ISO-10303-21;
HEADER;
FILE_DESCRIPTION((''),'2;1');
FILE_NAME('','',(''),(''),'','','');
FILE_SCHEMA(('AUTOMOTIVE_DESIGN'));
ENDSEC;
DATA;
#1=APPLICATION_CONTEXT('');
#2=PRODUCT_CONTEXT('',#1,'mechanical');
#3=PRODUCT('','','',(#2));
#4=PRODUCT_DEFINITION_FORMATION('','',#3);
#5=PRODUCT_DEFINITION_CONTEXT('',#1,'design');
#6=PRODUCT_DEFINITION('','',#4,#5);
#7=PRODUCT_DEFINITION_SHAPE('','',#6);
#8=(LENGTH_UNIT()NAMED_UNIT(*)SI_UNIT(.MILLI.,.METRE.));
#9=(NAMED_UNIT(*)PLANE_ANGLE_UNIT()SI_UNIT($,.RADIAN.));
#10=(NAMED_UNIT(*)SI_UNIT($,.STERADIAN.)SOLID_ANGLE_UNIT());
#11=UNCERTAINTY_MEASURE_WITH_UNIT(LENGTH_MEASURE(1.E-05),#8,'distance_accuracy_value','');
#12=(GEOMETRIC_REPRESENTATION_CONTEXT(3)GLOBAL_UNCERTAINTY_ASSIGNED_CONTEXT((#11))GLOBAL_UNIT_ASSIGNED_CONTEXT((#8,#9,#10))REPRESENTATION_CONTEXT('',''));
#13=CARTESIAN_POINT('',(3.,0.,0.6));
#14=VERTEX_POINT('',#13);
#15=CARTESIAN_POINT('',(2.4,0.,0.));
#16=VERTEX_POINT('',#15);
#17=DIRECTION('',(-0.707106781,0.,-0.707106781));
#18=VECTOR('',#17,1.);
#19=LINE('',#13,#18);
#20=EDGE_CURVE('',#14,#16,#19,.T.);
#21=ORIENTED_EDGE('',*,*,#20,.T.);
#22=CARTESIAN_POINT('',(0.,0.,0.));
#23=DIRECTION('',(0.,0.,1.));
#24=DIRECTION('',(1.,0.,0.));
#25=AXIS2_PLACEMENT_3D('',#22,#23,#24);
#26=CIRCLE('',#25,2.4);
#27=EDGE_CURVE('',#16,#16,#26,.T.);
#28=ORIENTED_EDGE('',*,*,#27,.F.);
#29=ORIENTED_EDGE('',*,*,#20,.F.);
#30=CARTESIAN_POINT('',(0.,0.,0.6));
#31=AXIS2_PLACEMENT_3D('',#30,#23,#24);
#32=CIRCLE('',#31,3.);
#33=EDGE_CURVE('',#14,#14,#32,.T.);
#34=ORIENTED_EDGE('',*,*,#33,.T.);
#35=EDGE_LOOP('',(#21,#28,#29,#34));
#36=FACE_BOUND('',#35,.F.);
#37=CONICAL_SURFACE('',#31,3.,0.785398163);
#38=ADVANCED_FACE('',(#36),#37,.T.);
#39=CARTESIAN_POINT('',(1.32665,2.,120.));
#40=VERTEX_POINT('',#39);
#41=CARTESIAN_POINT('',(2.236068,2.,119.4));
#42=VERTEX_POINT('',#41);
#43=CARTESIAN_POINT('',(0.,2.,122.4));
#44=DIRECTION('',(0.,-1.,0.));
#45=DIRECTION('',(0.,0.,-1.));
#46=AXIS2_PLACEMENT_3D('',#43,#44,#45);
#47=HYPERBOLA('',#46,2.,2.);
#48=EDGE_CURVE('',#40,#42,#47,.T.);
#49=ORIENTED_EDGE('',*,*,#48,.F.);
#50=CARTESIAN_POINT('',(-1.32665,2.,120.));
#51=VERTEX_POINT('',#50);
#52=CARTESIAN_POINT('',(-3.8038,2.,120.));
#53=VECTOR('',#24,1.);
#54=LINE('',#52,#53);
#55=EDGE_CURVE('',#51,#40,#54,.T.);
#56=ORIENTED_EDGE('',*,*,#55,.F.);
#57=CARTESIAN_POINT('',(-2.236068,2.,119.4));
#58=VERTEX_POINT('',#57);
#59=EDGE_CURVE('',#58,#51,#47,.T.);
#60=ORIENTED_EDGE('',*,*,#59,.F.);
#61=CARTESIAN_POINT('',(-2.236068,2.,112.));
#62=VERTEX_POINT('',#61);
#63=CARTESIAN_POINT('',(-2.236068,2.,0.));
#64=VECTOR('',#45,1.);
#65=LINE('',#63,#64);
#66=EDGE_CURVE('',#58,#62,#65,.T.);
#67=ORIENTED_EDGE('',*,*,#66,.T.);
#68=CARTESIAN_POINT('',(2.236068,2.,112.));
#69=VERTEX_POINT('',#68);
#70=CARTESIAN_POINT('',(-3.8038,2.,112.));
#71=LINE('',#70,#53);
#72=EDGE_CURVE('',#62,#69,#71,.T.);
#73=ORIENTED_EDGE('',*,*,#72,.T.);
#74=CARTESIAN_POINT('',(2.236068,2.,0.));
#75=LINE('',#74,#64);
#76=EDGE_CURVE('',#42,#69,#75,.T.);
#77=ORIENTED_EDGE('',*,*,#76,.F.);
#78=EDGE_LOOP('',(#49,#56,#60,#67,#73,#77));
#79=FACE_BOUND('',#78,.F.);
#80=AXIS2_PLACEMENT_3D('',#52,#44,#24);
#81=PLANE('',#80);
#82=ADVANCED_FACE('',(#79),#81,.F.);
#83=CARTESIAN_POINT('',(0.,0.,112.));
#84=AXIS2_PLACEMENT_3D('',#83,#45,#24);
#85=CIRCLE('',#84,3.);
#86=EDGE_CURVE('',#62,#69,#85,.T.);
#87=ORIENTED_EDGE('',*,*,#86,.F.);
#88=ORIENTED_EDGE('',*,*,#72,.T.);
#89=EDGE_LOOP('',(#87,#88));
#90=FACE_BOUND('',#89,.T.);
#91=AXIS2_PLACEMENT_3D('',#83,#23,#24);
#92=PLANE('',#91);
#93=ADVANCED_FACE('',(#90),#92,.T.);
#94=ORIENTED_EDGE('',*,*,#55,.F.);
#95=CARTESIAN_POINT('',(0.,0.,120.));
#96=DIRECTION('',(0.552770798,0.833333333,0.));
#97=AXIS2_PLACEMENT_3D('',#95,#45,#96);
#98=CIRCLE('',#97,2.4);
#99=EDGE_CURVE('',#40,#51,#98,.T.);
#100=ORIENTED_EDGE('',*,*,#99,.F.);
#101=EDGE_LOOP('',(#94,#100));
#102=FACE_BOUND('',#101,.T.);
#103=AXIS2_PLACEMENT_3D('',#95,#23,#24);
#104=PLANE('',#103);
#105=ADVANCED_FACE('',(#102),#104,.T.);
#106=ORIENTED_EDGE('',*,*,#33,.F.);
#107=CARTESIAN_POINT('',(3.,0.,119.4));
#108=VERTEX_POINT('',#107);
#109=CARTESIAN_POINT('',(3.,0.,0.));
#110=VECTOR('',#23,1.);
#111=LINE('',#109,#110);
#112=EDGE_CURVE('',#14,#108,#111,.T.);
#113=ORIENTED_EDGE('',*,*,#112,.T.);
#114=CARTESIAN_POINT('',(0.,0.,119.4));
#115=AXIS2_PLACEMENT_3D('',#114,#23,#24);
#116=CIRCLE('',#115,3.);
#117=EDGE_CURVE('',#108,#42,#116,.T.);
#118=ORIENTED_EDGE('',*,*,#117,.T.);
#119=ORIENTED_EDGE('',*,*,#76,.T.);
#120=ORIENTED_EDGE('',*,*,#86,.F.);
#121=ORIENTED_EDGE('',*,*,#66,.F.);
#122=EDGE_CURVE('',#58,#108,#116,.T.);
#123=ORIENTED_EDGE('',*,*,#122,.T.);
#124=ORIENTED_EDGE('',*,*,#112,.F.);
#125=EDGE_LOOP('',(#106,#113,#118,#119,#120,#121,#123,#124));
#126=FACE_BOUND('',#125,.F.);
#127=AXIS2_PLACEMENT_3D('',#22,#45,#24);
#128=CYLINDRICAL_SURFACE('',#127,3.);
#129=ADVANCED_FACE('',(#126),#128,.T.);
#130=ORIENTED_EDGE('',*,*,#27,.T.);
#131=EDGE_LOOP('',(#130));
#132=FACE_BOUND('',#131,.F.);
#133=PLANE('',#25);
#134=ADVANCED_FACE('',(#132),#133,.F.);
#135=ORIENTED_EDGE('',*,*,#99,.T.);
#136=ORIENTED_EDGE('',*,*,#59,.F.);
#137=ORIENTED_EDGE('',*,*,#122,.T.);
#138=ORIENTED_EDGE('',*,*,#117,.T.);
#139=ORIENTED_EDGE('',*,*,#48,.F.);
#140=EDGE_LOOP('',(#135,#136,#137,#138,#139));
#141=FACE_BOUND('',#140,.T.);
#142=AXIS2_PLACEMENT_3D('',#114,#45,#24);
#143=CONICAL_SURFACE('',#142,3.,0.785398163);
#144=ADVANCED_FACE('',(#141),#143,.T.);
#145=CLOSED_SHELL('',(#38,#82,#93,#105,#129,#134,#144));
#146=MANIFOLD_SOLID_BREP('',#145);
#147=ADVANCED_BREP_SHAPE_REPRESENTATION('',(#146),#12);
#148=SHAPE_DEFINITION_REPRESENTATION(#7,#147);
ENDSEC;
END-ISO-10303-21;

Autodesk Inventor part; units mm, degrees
ref_plane "YZ Plane" through (0, 0, 0) normal (1, 0, 0) x (0, 1, 0)
ref_plane "XZ Plane" through (0, 0, 0) normal (0, 1, 0) x (-1, 0, 0)
ref_plane "XY Plane" through (0, 0, 0) normal (0, 0, 1) x (1, 0, 0)
sketch "Sketch1" plane through (0, 0, 0) normal (0, 0, 1) x (1, 0, 0)
  circle A0 centre (0, 0) radius 3
  dimension "d0" = 6
extrude "Extrusion1" add sketch "Sketch1" along normal blind 120
thread "Thread1" size "M6x0.5" class "6g" standard "ISO Metric profile" full length
chamfer "Chamfer1" distance 0.6 angle 45 1 edges at (-3, 0, 120)
chamfer "Chamfer2" distance 0.6 angle 45 1 edges at (-3, 0, 0)
sketch "Sketch2" plane through (0, 0, 120) normal (0, 0, 1) x (1, 0, 0)
  line L0 (3.8696, 4.6025) -> (-3.8038, 4.6025)
  line L1 (-3.8038, 4.6025) -> (-3.8038, 2)
  line L2 (-3.8038, 2) -> (3.8696, 2)
  line L3 (3.8696, 2) -> (3.8696, 4.6025)
  point P0 (0, 0)
  dimension "d11" = 2
extrude "Extrusion2" cut sketch "Sketch2" against normal blind 8
properties part number "popychacz"
